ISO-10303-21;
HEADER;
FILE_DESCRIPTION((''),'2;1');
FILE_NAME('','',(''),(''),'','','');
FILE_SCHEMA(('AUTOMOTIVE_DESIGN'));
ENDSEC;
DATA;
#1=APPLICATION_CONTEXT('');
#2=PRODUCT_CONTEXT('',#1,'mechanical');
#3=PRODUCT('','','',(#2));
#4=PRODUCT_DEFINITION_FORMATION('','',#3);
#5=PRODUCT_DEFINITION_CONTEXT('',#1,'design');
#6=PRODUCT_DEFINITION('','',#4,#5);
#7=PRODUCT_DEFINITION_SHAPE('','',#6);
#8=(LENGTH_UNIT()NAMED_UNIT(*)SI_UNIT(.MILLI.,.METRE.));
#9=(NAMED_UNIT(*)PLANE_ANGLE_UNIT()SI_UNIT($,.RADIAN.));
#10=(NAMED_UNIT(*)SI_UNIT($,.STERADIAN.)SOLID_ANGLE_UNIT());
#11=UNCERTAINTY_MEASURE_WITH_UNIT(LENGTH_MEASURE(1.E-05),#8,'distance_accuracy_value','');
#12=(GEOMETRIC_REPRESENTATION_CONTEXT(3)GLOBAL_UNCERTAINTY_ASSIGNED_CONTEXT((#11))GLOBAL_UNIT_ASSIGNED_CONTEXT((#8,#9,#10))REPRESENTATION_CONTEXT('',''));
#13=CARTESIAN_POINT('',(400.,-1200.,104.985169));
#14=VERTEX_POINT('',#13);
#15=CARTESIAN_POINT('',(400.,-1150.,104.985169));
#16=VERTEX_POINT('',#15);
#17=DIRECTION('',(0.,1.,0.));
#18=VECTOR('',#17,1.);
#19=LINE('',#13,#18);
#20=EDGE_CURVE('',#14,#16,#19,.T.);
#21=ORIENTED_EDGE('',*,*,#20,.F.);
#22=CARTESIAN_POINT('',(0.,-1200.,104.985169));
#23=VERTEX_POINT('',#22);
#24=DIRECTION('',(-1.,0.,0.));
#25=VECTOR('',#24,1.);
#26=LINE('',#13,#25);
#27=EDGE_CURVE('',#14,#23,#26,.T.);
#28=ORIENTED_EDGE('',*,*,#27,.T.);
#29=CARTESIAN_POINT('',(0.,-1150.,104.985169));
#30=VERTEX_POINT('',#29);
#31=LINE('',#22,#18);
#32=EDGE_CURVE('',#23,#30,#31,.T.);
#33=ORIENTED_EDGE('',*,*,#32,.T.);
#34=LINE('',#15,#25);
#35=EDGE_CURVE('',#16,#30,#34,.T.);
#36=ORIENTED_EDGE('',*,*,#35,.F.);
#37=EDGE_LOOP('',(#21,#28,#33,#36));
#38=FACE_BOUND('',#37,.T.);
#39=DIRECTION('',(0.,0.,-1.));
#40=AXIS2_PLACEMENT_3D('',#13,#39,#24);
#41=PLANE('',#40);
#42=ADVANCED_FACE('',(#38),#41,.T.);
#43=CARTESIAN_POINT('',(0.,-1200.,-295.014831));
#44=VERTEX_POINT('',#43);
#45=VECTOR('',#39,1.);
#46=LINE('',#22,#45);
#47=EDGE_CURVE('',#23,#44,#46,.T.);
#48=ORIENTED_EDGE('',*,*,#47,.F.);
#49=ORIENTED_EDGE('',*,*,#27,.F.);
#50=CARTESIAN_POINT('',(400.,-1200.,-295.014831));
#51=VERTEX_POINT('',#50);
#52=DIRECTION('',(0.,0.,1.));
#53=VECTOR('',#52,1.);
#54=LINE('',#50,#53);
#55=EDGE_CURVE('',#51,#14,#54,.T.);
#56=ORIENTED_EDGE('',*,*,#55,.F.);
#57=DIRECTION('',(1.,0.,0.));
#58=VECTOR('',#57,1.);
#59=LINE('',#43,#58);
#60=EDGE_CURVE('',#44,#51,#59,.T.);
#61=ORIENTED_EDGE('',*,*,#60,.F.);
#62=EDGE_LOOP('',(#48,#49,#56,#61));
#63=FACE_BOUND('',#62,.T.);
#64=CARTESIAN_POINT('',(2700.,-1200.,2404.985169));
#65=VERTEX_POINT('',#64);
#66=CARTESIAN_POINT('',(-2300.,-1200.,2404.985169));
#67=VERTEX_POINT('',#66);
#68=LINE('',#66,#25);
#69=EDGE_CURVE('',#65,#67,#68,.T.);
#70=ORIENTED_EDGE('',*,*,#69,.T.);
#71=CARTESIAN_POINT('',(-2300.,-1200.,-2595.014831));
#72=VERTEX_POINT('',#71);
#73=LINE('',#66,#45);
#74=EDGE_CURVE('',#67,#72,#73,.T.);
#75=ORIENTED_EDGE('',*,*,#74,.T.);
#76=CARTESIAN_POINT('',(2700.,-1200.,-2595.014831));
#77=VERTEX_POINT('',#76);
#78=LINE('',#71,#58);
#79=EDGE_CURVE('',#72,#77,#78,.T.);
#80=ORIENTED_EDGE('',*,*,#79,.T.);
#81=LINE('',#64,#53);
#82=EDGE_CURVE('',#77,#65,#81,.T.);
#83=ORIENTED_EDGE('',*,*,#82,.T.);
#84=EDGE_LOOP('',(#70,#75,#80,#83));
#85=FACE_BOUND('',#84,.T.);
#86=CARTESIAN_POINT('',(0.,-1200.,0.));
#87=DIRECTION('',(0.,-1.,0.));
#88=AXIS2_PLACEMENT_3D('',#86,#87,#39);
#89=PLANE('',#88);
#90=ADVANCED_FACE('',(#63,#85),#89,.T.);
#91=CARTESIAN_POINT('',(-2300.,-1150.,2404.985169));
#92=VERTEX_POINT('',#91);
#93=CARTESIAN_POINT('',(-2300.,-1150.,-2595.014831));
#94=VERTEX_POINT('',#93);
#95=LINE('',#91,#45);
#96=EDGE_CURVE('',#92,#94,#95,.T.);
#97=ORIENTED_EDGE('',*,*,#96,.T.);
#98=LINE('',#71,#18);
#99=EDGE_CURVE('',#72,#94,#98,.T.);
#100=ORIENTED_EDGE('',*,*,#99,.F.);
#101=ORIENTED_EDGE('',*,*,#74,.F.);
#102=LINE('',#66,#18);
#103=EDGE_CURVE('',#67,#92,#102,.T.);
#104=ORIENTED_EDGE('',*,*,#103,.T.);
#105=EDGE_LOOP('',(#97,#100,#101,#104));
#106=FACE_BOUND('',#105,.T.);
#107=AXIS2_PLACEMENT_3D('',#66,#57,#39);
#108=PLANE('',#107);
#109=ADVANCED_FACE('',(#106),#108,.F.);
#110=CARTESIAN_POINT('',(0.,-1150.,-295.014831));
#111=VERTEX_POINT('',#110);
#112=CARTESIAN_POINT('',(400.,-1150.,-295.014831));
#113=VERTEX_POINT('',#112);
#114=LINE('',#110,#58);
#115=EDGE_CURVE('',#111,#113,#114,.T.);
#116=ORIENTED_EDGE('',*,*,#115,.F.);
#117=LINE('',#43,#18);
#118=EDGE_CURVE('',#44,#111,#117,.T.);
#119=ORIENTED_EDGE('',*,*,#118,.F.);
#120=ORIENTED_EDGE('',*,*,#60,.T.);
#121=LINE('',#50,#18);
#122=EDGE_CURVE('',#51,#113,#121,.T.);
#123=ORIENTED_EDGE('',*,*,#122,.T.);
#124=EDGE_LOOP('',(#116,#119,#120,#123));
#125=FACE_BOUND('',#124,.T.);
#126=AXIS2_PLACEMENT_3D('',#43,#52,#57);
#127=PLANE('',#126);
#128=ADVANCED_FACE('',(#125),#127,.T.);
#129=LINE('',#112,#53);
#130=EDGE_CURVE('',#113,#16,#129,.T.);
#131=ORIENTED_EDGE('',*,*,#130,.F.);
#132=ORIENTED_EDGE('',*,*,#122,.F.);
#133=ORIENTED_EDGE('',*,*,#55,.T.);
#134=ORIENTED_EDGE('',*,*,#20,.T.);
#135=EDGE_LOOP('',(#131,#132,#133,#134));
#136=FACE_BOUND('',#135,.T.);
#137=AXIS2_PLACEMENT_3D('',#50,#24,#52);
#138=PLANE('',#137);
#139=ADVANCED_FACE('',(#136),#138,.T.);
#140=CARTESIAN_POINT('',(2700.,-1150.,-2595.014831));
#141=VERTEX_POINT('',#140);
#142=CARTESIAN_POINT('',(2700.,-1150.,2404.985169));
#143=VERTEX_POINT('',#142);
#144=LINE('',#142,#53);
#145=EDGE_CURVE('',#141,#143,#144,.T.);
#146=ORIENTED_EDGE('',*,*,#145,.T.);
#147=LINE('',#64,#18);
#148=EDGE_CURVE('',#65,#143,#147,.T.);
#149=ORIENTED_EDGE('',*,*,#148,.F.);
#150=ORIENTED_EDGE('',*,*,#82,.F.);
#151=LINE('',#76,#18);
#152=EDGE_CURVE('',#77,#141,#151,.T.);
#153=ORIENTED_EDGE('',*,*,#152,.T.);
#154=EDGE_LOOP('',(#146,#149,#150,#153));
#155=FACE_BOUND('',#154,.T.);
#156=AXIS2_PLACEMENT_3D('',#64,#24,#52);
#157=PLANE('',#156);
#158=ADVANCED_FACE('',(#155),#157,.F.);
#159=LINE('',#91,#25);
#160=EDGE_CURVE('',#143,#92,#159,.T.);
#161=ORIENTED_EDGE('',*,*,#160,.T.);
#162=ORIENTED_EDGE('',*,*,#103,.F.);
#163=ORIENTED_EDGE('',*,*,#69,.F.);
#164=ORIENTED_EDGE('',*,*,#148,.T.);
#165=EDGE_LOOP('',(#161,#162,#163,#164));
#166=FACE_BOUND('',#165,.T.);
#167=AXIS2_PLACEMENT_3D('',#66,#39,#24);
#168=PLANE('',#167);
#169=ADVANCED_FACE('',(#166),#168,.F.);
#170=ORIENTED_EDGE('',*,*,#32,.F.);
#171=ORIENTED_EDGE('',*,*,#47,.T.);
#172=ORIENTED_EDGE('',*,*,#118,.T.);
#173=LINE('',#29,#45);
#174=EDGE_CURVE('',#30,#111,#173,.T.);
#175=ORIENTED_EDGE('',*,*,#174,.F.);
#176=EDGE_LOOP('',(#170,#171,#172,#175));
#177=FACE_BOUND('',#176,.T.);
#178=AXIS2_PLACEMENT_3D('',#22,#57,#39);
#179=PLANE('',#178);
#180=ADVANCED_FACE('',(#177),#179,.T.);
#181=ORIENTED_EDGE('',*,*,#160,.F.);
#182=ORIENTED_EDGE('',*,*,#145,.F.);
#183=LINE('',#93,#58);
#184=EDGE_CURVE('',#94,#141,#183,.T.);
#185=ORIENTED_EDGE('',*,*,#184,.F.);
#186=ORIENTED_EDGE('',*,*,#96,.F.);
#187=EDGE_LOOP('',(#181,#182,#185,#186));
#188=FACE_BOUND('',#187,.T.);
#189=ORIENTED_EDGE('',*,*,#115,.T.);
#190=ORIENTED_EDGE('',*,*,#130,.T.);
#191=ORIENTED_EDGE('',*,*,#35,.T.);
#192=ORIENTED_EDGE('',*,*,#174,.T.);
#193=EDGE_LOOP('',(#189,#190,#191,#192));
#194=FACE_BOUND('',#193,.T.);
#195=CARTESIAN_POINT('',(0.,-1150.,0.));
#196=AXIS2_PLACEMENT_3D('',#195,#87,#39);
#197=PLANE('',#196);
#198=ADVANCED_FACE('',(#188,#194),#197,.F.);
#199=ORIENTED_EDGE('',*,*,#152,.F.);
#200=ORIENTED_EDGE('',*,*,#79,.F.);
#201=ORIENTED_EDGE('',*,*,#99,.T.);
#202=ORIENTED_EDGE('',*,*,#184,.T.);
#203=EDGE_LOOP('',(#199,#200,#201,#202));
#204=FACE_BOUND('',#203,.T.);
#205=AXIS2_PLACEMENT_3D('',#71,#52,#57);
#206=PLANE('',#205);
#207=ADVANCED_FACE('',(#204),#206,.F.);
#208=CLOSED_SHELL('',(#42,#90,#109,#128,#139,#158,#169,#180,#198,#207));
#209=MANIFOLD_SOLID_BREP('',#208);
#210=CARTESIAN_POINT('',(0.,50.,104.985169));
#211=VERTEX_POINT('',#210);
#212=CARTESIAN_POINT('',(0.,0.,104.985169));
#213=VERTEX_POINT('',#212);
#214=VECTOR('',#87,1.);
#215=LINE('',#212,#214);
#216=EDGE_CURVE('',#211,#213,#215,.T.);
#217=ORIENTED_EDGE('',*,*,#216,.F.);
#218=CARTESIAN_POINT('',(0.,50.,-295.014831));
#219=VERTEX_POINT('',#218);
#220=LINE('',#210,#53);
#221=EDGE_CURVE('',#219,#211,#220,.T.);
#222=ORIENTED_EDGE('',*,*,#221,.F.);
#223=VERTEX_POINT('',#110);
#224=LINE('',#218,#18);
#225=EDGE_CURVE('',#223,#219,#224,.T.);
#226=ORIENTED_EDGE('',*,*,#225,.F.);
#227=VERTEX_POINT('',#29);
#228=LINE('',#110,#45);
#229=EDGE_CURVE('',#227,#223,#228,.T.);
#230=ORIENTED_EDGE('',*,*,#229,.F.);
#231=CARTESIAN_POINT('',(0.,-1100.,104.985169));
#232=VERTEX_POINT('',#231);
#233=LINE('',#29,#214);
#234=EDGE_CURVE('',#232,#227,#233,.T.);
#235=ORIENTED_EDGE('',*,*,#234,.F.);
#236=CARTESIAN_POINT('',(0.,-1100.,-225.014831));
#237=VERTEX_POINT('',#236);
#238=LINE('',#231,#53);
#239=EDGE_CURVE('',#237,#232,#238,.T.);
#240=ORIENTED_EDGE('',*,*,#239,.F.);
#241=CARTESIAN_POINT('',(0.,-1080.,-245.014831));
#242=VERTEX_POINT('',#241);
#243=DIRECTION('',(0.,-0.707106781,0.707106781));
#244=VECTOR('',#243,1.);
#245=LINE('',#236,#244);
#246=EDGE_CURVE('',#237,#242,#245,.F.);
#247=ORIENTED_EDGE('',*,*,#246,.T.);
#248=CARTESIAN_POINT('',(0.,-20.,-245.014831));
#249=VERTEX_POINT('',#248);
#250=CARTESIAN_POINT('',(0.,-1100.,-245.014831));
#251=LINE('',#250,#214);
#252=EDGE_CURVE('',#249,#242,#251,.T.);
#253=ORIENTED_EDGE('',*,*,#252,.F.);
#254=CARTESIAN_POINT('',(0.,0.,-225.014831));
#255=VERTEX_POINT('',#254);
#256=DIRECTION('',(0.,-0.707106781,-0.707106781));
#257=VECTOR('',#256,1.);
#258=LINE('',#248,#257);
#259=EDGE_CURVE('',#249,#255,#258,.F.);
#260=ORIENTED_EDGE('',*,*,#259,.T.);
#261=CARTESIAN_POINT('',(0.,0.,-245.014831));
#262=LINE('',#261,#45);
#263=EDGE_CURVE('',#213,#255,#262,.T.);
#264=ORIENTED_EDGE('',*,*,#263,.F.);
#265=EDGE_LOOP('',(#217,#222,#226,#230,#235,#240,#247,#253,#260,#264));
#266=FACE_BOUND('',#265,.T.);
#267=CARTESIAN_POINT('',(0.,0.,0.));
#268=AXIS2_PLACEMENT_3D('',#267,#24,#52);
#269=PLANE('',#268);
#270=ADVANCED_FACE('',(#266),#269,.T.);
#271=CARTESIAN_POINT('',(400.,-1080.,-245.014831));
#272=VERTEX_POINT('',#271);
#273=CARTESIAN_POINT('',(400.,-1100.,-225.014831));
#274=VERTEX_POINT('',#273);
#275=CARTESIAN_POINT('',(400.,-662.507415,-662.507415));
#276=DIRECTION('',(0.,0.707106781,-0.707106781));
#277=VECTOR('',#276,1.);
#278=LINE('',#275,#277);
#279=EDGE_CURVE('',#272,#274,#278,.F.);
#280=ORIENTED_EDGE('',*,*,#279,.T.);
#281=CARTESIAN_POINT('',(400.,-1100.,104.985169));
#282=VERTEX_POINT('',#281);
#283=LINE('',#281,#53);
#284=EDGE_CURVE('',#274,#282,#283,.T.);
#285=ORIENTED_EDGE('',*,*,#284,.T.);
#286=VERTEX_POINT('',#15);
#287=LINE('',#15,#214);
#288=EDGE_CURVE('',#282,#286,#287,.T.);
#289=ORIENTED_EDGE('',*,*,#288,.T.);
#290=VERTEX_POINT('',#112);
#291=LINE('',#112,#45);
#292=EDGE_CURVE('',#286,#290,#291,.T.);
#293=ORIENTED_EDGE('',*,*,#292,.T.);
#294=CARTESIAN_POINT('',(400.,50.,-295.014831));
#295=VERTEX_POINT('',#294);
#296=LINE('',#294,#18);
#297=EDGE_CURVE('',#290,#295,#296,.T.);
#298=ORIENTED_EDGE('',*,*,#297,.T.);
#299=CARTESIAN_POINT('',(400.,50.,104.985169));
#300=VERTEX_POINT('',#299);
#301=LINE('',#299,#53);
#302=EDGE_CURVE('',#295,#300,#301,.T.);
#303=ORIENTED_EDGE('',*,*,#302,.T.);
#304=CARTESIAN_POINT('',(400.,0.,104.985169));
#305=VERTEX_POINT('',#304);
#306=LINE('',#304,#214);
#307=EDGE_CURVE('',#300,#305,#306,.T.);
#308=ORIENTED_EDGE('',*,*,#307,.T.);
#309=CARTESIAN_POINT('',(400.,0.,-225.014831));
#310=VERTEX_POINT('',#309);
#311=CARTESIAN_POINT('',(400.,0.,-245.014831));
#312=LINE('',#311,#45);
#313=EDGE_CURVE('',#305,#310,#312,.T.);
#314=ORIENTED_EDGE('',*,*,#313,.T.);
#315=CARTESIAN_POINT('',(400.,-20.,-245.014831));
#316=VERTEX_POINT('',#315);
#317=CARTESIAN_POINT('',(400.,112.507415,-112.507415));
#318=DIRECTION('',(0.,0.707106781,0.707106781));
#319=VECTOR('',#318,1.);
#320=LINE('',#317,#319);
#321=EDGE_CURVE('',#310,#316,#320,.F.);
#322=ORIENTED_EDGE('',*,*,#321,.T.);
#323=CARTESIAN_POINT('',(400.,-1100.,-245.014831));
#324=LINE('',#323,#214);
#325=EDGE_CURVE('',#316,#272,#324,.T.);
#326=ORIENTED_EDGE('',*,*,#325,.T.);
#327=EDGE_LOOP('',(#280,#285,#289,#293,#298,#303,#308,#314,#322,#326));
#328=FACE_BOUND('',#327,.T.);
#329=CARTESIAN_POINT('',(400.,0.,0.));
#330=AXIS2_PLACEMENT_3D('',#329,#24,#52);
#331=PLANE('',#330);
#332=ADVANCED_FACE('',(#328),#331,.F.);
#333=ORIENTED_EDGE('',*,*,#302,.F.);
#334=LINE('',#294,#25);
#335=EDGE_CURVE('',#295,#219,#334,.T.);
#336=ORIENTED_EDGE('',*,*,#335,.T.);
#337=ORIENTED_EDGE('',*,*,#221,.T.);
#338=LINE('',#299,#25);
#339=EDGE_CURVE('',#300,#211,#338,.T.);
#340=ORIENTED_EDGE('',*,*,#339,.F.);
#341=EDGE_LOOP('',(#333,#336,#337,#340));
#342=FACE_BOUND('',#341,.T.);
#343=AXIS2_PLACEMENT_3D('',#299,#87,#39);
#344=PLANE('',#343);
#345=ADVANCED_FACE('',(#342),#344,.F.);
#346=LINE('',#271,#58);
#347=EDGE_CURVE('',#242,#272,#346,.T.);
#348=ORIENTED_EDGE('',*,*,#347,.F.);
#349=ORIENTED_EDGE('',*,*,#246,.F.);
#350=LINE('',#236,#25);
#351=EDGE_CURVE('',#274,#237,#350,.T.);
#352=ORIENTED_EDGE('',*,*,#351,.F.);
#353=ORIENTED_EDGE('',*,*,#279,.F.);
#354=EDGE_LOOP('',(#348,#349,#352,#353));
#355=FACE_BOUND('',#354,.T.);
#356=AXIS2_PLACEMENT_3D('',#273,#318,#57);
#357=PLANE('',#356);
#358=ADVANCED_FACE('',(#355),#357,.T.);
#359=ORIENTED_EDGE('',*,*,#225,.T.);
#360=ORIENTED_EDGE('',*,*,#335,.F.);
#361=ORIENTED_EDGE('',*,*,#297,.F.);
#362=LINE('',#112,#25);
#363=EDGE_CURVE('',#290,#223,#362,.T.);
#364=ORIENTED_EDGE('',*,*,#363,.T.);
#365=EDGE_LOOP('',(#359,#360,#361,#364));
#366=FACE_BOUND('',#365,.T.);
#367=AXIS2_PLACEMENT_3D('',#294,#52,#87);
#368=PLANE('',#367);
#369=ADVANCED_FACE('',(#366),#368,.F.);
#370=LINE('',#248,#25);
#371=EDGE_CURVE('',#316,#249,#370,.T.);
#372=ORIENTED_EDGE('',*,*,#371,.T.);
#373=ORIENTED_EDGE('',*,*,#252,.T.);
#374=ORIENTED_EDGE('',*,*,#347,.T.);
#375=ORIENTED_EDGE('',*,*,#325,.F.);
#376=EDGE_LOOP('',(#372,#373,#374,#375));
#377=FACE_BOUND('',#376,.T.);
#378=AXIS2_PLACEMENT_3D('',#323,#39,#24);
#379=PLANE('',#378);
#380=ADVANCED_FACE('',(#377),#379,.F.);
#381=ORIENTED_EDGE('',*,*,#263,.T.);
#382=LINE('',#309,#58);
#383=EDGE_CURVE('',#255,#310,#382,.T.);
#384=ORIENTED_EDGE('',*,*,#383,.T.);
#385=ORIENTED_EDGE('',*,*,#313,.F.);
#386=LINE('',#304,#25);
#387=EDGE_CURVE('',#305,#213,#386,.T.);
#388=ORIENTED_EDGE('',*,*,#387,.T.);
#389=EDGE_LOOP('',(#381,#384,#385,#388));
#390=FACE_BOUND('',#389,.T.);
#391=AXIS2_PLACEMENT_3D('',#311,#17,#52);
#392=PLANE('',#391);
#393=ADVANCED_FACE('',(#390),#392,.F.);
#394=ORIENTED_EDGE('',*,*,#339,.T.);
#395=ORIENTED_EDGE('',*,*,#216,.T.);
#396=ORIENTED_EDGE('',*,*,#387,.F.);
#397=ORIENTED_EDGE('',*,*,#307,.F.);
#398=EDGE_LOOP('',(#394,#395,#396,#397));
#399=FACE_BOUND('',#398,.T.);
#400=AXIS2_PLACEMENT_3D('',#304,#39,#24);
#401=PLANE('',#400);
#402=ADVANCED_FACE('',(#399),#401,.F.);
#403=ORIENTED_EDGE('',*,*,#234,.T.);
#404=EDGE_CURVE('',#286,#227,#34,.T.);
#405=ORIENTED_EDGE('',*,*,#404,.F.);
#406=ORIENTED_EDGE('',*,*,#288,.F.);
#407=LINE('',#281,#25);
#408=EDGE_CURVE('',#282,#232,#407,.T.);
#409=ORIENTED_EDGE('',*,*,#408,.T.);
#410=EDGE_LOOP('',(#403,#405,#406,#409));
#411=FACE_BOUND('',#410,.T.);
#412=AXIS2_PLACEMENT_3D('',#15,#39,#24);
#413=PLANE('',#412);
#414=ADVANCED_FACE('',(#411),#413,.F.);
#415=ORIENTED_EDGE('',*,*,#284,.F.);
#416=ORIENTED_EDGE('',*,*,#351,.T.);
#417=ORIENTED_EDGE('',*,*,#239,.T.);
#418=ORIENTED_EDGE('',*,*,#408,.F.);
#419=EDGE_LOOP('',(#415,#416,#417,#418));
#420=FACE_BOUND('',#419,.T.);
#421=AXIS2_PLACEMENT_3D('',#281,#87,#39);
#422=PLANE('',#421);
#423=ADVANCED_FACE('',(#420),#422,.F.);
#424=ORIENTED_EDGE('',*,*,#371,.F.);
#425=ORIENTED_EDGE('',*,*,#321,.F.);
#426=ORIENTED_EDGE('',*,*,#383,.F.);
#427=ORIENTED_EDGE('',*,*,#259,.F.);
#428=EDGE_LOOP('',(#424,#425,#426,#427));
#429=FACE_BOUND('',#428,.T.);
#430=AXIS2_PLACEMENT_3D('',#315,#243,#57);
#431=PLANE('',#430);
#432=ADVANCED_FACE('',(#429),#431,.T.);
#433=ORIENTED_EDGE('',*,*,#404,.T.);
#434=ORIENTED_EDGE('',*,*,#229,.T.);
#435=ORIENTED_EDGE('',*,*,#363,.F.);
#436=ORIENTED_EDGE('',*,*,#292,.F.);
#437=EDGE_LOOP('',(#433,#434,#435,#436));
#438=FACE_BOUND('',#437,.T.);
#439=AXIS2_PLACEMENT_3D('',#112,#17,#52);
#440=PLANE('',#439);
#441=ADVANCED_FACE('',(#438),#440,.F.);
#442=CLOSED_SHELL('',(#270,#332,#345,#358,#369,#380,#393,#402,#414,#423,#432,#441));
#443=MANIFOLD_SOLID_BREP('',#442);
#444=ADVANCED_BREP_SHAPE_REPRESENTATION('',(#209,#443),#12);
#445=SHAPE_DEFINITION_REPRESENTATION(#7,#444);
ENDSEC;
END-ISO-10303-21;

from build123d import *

# Parameters (mm, degrees)
BOSS_EXTRUDE1_DEPTH = 400
CHAMFER1_SIZE       = 20
SKETCH2_W           = 5000
SKETCH2_H           = 5000
SKETCH2_W_2         = 400
SKETCH2_H_2         = 400
BOSS_EXTRUDE2_DEPTH = 50


with BuildPart() as part:
    # Sketch1 → Boss-Extrude1 (new body)
    with BuildSketch(Plane(origin=(0, 0, 0), x_dir=(0, 0, -1), z_dir=(1, 0, 0))):
        Polygon((-104.985169381, 50), (295.014830619, 50), (295.014830619, -1150), (-104.985169381, -1150), (-104.985169381, -1100), (245.014830619, -1100), (245.014830619, 0), (-104.985169381, 0), align=None)
    extrude(amount=BOSS_EXTRUDE1_DEPTH)

    # Chamfer1
    chamfer1_edges = [part.edges().sort_by_distance(p)[0] for p in [
        (200, -1100, -245.014830619),
        (200, 0, -245.014830619),
    ]]
    chamfer(chamfer1_edges, length=CHAMFER1_SIZE)


with BuildPart() as body_2:
    # Sketch2 → Boss-Extrude2 (new body)
    with BuildSketch(Plane.XZ.offset(1150)):
        with Locations((200, -95.014830619)):
            Rectangle(SKETCH2_W, SKETCH2_H)
        with Locations((200, -95.014830619)):
            Rectangle(SKETCH2_W_2, SKETCH2_H_2, mode=Mode.SUBTRACT)
    extrude(amount=BOSS_EXTRUDE2_DEPTH)


solid = Compound([part.part, body_2.part])
